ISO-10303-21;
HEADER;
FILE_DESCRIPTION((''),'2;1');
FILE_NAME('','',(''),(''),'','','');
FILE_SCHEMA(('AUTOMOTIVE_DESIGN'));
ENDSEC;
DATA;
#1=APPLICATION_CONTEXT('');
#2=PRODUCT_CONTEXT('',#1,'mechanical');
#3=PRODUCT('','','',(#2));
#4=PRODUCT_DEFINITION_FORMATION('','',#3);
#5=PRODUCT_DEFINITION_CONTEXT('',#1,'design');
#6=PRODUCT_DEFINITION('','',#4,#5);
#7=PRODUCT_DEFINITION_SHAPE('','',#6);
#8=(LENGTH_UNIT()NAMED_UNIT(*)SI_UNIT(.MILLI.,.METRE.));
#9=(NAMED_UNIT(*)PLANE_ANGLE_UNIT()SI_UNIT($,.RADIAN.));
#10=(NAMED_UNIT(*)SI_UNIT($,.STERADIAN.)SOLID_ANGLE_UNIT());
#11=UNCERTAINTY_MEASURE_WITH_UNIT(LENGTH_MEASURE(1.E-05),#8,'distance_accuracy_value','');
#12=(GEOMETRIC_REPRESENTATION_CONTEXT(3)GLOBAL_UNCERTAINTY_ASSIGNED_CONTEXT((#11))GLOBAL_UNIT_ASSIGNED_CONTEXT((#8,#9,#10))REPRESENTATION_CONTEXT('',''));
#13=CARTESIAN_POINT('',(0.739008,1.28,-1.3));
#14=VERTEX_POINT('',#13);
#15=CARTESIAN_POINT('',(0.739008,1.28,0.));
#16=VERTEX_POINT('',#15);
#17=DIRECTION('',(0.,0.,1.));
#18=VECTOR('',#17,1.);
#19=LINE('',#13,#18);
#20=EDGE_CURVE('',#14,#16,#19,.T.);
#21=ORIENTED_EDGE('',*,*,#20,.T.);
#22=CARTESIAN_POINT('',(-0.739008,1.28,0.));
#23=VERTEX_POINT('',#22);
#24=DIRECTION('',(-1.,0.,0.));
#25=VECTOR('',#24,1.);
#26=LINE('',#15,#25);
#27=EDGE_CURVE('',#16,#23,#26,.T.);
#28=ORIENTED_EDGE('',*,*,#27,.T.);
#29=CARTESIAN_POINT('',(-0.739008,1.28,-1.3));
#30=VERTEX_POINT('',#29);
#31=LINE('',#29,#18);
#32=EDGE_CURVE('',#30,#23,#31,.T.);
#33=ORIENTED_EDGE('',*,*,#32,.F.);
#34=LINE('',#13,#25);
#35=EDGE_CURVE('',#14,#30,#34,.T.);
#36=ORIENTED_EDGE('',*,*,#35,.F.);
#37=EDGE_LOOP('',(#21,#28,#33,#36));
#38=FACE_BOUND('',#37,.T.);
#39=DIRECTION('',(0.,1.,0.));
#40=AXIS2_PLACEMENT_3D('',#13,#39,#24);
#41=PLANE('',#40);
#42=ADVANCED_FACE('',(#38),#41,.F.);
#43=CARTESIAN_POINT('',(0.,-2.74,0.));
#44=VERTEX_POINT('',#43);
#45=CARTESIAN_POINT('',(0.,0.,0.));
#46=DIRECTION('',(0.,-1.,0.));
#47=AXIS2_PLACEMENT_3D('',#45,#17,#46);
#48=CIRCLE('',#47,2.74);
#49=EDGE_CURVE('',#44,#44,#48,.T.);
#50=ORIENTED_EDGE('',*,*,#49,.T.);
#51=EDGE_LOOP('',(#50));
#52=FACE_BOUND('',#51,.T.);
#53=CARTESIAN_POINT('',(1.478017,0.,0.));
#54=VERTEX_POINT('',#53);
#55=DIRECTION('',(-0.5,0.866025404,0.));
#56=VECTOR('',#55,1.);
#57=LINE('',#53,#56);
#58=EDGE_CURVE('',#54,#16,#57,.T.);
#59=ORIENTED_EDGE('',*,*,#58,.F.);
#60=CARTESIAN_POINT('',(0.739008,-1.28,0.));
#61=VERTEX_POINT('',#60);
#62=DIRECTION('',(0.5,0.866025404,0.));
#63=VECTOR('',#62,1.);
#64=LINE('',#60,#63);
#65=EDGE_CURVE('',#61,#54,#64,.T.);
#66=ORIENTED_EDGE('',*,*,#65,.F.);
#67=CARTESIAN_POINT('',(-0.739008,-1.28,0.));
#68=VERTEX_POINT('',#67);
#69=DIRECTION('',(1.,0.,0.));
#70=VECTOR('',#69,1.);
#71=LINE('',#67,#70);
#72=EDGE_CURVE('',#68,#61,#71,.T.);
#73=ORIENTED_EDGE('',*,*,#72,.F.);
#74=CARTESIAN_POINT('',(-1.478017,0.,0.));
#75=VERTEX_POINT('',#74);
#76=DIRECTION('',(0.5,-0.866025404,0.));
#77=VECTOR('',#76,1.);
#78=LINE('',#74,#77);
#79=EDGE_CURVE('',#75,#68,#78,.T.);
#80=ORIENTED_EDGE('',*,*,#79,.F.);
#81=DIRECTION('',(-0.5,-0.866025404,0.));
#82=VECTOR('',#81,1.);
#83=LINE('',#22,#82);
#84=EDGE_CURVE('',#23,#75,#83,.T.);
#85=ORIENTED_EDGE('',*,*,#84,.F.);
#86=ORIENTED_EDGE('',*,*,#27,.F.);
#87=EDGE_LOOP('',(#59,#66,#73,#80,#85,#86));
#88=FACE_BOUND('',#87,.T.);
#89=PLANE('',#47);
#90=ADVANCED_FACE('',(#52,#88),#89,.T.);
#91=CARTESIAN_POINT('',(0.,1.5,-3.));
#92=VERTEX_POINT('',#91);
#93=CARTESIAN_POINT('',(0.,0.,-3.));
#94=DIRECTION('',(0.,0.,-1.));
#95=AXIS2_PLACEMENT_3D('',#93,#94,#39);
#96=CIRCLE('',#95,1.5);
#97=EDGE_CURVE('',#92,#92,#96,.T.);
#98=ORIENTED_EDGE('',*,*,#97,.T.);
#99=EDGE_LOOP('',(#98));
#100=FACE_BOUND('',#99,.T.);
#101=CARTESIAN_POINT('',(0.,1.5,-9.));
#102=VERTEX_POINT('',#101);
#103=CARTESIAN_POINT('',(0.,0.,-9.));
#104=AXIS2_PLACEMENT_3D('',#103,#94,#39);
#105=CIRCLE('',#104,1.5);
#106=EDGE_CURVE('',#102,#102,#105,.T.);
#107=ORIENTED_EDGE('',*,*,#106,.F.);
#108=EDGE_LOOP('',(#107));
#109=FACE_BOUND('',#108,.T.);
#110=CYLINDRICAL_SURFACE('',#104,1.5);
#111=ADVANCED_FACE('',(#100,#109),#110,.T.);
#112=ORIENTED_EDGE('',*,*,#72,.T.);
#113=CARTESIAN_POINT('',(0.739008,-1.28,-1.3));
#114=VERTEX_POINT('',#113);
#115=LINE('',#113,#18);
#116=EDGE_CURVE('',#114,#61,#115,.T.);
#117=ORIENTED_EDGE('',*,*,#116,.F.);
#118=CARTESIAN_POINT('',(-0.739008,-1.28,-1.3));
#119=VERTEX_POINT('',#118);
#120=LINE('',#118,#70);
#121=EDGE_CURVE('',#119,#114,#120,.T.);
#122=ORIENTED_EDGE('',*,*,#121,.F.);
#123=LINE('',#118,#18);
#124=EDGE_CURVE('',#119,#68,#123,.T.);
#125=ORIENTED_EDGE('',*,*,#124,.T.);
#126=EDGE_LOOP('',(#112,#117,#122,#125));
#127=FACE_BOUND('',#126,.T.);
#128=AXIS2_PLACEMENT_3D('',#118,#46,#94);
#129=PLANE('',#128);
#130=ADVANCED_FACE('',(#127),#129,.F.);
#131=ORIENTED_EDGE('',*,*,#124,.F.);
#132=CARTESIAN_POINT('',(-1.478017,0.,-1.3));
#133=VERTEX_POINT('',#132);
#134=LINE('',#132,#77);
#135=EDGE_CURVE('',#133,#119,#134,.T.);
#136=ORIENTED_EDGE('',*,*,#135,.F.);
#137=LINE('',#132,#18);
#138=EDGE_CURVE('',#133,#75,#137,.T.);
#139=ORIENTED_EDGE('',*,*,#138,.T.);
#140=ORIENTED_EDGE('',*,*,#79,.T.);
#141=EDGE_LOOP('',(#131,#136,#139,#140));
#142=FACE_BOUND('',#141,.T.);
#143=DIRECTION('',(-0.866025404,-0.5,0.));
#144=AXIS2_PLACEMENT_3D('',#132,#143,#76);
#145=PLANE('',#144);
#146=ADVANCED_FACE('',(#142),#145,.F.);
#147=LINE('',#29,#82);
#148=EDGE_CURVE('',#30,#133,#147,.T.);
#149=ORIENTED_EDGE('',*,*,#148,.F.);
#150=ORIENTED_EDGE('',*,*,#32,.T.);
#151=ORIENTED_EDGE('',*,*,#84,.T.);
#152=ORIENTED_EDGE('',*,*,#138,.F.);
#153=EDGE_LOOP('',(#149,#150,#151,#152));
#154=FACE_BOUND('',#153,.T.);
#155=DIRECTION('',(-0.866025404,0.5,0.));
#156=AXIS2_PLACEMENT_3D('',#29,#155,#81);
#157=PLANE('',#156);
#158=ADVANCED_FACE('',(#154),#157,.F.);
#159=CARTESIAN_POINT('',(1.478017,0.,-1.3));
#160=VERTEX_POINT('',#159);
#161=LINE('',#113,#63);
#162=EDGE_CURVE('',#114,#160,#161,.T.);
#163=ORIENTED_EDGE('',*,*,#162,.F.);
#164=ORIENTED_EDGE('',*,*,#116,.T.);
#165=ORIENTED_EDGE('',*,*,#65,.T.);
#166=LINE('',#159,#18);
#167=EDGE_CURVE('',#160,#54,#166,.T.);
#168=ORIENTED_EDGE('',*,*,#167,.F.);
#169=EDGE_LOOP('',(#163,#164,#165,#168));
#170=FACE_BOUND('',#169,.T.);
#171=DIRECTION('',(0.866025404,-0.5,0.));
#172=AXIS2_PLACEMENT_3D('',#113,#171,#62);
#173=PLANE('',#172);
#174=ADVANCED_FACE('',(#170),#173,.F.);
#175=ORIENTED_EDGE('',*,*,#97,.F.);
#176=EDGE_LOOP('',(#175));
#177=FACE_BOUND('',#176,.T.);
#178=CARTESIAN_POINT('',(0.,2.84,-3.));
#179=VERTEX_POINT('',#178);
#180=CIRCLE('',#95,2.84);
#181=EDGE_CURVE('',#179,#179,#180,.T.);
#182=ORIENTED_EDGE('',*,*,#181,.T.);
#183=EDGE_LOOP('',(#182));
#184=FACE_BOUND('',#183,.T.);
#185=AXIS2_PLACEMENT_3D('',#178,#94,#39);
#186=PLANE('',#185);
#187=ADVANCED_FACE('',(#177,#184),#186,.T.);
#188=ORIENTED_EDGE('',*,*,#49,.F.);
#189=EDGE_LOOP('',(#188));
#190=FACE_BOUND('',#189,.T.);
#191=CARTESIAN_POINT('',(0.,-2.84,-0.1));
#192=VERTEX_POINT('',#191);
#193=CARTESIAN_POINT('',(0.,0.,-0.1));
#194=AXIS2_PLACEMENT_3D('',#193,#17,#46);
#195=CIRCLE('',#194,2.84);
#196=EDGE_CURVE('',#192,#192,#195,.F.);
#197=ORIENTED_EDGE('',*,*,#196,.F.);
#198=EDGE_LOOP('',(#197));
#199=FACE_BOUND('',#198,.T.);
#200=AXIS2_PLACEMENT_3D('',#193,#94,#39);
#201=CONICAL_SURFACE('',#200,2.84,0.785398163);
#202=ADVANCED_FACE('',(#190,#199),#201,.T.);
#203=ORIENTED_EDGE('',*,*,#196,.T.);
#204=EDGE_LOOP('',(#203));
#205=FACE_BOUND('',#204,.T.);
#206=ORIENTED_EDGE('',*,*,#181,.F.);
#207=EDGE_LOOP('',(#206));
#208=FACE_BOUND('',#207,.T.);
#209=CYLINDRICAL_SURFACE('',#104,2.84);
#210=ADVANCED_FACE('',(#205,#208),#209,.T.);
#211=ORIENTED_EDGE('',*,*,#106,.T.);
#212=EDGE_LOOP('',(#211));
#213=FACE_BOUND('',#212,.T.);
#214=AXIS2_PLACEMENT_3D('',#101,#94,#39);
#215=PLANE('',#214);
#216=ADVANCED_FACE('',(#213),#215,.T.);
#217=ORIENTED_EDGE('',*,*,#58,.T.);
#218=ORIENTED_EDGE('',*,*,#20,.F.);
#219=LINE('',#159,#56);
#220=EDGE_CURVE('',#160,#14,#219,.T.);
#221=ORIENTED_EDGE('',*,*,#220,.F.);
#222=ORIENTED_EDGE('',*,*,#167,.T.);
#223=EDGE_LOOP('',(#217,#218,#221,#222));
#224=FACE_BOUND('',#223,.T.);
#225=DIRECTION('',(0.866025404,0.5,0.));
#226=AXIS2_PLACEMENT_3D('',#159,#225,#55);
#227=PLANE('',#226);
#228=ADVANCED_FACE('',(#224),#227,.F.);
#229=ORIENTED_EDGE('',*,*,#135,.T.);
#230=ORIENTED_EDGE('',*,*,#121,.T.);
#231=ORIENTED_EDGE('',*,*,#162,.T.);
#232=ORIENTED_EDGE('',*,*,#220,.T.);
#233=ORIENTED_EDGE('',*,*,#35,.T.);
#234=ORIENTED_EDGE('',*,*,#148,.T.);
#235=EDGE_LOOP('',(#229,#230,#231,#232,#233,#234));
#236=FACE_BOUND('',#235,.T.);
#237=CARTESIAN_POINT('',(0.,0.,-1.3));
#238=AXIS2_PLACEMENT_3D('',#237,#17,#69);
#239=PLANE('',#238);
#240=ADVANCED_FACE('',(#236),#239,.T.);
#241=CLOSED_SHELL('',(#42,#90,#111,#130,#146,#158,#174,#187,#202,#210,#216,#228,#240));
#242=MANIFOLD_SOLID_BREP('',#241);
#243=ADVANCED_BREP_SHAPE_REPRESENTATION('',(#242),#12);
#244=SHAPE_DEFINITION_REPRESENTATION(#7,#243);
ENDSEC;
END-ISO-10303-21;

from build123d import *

# Parameters (mm, degrees)
CUT_EXTRUDE_1_DEPTH = 1.3
CHAMFER_628_SIZE    = 0.1


with BuildPart() as part:
    # 草图1 → 旋转1 (revolve)
    with BuildSketch(Plane(origin=(0, 0, 0), x_dir=(0, 0, -1), z_dir=(1, 0, 0))):
        Polygon((0, 0), (0, 2.84), (3, 2.84), (3, 1.5), (9, 1.5), (9, 0), align=None)
    revolve(axis=Axis((0, 0, -9), (0, 0, 1)))

    # 草图2 → 切除-拉伸1 (cut)
    with BuildSketch(Plane.XY):
        Polygon((0.739008345, 1.28), (-0.739008345, 1.28), (-1.478016689, 0), (-0.739008345, -1.28), (0.739008345, -1.28), (1.478016689, 0), align=None)
    extrude(amount=-CUT_EXTRUDE_1_DEPTH, mode=Mode.SUBTRACT)

    # Chamfer 628
    chamfer_628_edges = [part.edges().sort_by_distance(p)[0] for p in [
        (0, -2.84, 0),
    ]]
    chamfer(chamfer_628_edges, length=CHAMFER_628_SIZE)


solid = part.part
